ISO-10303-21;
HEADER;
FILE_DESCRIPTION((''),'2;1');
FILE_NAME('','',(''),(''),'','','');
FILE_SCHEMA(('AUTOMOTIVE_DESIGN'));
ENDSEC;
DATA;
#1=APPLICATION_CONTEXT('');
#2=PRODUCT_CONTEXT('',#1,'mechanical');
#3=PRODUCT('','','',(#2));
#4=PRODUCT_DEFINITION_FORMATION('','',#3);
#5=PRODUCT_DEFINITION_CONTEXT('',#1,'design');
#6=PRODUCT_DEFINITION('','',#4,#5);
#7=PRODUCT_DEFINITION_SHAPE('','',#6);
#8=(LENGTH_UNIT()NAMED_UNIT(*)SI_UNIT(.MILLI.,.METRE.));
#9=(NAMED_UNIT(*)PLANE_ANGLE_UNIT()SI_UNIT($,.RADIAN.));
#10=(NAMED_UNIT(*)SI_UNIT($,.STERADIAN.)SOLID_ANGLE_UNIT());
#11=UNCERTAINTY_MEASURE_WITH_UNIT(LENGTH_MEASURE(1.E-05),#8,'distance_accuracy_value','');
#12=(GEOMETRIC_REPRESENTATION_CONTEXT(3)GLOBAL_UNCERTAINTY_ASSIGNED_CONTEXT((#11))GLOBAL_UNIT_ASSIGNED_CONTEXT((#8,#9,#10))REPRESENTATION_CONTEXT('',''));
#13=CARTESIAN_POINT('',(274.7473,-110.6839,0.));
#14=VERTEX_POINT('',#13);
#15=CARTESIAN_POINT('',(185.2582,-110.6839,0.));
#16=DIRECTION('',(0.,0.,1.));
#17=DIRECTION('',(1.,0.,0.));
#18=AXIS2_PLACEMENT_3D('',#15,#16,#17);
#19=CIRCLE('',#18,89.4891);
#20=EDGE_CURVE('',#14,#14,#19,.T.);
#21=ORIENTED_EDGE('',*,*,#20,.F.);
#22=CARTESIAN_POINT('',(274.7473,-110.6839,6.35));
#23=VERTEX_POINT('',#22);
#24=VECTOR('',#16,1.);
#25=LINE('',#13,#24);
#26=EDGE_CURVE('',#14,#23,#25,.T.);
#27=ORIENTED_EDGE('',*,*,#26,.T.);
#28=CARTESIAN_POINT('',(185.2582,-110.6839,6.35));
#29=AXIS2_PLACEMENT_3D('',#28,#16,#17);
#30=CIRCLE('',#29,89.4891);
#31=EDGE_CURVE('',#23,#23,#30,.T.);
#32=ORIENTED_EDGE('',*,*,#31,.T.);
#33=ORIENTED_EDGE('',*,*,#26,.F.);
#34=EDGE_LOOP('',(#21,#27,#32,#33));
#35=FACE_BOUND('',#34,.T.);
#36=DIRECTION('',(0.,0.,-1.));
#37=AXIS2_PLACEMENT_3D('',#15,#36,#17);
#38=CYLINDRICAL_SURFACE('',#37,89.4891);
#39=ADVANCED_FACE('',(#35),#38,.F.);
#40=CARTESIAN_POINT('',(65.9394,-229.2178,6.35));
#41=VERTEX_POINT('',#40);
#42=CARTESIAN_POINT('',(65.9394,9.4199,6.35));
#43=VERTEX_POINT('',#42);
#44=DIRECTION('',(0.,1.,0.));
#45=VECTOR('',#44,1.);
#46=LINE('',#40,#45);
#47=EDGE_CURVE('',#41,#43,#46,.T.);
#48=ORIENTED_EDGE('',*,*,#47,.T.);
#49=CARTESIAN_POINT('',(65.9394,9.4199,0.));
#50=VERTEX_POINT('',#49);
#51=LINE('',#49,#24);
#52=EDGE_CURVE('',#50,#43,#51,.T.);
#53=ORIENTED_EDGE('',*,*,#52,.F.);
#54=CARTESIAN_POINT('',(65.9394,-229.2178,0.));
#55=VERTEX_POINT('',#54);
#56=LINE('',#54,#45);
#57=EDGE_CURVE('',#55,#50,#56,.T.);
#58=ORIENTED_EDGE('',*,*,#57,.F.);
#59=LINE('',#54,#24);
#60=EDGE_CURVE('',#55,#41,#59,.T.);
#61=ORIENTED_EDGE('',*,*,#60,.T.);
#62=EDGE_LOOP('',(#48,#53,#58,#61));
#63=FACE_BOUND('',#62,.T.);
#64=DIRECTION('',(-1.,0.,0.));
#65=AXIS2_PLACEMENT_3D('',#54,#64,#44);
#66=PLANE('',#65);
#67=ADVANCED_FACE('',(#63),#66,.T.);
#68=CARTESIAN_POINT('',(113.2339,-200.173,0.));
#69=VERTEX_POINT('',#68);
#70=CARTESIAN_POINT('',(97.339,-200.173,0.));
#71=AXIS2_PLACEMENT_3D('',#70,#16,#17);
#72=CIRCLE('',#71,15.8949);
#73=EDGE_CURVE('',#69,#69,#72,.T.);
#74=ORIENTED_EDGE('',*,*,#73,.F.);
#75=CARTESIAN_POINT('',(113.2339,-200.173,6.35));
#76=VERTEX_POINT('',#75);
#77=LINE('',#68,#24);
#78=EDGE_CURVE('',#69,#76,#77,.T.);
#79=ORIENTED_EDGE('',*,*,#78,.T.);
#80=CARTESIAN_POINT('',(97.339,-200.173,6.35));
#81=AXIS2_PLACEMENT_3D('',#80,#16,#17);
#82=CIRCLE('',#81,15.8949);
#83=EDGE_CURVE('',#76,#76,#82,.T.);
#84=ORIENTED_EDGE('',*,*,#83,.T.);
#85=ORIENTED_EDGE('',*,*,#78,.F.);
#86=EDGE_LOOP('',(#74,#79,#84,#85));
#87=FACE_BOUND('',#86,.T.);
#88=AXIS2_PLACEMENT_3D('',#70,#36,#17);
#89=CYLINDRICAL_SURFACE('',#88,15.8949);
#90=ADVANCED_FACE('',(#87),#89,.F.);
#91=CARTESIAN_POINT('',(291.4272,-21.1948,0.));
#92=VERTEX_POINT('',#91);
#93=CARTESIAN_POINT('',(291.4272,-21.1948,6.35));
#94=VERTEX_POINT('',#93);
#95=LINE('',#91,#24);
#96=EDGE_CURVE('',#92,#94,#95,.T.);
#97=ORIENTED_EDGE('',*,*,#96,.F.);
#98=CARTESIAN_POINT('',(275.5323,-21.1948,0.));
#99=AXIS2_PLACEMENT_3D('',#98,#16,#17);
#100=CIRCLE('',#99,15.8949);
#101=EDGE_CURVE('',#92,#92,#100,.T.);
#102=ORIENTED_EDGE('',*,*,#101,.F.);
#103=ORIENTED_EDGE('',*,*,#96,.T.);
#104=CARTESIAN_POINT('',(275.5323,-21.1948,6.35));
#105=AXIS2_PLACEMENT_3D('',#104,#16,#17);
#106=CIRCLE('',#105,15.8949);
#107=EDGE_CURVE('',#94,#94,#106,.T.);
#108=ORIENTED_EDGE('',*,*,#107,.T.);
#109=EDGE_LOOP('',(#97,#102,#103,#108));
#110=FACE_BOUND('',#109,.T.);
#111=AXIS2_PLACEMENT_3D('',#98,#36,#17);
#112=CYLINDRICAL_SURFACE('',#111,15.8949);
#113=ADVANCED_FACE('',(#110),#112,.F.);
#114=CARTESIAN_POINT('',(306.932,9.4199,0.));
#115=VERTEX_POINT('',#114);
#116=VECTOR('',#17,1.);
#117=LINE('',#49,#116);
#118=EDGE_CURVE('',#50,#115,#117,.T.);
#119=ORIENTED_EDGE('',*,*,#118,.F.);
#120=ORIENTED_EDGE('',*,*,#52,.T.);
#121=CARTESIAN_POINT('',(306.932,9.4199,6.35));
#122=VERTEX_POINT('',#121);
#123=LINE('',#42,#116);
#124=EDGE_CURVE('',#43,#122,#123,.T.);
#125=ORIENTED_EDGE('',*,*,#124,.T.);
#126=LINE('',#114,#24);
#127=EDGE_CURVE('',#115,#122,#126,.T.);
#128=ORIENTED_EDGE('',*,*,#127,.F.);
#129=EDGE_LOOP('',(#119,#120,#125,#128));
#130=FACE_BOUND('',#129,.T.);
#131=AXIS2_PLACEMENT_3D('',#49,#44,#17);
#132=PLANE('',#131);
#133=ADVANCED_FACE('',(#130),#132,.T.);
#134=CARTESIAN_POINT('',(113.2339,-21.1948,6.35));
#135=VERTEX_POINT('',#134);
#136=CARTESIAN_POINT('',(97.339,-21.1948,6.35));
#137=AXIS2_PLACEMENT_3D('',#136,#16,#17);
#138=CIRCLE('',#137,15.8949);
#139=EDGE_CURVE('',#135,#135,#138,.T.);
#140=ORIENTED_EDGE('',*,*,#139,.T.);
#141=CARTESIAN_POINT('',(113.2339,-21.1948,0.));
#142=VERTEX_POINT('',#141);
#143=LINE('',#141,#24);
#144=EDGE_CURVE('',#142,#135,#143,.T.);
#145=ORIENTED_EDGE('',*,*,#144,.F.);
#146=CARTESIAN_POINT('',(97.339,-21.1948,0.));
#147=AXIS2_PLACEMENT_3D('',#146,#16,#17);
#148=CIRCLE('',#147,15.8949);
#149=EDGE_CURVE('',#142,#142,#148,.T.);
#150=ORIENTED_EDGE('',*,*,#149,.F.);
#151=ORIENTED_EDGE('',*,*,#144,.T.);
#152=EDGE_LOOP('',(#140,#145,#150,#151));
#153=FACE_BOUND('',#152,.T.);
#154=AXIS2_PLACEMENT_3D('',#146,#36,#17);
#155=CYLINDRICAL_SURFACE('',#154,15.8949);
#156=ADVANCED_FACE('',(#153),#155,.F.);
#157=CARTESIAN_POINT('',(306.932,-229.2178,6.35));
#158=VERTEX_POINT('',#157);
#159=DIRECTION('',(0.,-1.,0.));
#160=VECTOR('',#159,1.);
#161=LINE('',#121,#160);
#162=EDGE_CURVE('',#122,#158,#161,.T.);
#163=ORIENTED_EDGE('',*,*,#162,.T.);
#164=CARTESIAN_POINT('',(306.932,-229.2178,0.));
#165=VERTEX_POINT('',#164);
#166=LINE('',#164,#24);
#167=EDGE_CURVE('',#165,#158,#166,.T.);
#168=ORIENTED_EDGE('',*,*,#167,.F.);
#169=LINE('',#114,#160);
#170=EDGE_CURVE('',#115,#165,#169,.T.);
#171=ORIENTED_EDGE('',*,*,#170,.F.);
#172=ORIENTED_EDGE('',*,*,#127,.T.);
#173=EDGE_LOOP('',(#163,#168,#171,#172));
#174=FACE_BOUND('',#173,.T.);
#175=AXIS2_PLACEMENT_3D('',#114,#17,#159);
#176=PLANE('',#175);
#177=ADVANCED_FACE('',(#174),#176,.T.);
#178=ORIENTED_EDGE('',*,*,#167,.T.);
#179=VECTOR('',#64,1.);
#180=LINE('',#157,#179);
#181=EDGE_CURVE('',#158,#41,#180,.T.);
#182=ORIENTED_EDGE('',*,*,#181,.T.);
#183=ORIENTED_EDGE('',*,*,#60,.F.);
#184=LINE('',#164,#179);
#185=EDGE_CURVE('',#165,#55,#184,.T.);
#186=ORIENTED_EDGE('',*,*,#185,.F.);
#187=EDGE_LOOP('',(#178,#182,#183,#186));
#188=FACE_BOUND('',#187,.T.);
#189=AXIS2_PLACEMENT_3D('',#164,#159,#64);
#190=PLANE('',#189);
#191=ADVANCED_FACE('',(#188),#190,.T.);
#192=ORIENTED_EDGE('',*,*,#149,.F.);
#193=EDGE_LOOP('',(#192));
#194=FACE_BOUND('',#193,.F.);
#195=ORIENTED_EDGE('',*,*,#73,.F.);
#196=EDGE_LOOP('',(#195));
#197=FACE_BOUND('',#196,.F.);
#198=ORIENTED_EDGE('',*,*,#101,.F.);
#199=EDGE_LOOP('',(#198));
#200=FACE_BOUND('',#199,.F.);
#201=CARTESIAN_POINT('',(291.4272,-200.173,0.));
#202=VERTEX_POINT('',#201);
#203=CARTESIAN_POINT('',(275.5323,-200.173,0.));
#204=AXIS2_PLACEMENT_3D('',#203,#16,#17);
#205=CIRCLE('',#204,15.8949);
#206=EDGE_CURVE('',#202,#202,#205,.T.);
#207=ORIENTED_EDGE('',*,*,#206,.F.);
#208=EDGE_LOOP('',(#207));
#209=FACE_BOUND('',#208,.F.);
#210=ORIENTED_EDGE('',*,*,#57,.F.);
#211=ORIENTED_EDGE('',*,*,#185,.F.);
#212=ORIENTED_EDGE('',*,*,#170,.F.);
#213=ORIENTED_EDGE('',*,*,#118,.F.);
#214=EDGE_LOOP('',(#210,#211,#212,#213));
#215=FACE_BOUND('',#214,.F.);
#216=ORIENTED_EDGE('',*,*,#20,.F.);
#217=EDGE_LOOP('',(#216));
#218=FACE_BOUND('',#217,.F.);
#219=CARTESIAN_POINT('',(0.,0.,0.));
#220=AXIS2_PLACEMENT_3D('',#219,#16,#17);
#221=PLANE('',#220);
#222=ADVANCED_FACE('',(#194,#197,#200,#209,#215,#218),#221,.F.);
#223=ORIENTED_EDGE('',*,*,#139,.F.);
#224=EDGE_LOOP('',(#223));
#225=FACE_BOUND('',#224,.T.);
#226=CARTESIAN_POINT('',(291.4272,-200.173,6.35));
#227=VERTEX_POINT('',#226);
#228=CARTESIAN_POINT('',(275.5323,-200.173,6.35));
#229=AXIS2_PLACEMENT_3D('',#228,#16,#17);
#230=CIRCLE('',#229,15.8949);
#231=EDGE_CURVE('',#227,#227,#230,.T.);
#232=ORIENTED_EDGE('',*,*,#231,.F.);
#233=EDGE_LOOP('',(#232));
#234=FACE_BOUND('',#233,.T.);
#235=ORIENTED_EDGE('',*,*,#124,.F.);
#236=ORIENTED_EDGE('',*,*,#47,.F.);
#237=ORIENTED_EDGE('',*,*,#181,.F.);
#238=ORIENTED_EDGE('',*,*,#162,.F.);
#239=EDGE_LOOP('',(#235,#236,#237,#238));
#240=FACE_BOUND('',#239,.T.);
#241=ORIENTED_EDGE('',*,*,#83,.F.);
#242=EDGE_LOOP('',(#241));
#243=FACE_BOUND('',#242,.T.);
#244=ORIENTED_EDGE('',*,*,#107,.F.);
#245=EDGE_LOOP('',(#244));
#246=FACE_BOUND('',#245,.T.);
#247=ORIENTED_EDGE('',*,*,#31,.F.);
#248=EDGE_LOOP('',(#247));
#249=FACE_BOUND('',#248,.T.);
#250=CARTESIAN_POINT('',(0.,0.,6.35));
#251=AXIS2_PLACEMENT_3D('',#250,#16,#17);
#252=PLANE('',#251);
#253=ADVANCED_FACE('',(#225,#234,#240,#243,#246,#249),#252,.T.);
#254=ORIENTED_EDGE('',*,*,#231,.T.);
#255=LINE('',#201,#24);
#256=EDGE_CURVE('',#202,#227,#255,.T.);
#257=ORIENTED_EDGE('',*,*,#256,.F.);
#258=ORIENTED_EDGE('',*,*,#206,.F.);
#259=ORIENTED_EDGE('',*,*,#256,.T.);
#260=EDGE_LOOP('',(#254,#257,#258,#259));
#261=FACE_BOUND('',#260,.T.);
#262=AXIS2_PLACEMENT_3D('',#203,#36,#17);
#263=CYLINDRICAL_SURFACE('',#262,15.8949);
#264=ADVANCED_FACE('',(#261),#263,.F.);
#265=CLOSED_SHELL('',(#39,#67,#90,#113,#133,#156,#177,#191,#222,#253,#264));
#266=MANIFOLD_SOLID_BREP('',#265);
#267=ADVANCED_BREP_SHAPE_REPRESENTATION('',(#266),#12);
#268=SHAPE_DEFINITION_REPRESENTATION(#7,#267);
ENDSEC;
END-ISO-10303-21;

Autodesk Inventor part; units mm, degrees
ref_plane "YZ Plane" through (0, 0, 0) normal (1, 0, 0) x (0, 1, 0)
ref_plane "XZ Plane" through (0, 0, 0) normal (0, 1, 0) x (-1, 0, 0)
ref_plane "XY Plane" through (0, 0, 0) normal (0, 0, 1) x (1, 0, 0)
sketch "Sketch1" plane through (0, 0, 0) normal (0, 0, 1) x (1, 0, 0)
  line L0 (-28.9445, 15.5893) -> (396.7701, 15.5893) construction
  line L1 (396.7701, 15.5893) -> (396.7701, -233.6482) construction
  line L2 (396.7701, -233.6482) -> (-28.9445, -233.6482) construction
  line L3 (-28.9445, -233.6482) -> (-28.9445, 15.5893) construction
  line L4 (-26.909, 14.1495) -> (398.8056, 14.1495) construction
  line L5 (398.8056, 14.1495) -> (398.8056, -235.0879) construction
  line L6 (398.8056, -235.0879) -> (-26.909, -235.0879) construction
  line L7 (-26.909, -235.0879) -> (-26.909, 14.1495) construction
  point P0 (0, 0)
sketch "Sketch2" plane through (0, 0, 0) normal (0, 0, 1) x (1, 0, 0)
  circle A0 centre (97.339, -21.1948) radius 15.8949
  circle A1 centre (275.5323, -21.1948) radius 15.8949
  circle A2 centre (275.5323, -200.173) radius 15.8949
  circle A3 centre (97.339, -200.173) radius 15.8949
  circle A4 centre (185.2582, -110.6839) radius 89.4891
  line L0 (65.9394, 9.4199) -> (306.932, 9.4199)
  line L1 (306.932, 9.4199) -> (306.932, -229.2178)
  line L2 (306.932, -229.2178) -> (65.9394, -229.2178)
  line L3 (65.9394, -229.2178) -> (65.9394, 9.4199)
  point P0 (0, 0)
extrude "Extrusion1" add sketch "Sketch2" along normal blind 6.35
properties part number "Ball grabber bearing mount2"
